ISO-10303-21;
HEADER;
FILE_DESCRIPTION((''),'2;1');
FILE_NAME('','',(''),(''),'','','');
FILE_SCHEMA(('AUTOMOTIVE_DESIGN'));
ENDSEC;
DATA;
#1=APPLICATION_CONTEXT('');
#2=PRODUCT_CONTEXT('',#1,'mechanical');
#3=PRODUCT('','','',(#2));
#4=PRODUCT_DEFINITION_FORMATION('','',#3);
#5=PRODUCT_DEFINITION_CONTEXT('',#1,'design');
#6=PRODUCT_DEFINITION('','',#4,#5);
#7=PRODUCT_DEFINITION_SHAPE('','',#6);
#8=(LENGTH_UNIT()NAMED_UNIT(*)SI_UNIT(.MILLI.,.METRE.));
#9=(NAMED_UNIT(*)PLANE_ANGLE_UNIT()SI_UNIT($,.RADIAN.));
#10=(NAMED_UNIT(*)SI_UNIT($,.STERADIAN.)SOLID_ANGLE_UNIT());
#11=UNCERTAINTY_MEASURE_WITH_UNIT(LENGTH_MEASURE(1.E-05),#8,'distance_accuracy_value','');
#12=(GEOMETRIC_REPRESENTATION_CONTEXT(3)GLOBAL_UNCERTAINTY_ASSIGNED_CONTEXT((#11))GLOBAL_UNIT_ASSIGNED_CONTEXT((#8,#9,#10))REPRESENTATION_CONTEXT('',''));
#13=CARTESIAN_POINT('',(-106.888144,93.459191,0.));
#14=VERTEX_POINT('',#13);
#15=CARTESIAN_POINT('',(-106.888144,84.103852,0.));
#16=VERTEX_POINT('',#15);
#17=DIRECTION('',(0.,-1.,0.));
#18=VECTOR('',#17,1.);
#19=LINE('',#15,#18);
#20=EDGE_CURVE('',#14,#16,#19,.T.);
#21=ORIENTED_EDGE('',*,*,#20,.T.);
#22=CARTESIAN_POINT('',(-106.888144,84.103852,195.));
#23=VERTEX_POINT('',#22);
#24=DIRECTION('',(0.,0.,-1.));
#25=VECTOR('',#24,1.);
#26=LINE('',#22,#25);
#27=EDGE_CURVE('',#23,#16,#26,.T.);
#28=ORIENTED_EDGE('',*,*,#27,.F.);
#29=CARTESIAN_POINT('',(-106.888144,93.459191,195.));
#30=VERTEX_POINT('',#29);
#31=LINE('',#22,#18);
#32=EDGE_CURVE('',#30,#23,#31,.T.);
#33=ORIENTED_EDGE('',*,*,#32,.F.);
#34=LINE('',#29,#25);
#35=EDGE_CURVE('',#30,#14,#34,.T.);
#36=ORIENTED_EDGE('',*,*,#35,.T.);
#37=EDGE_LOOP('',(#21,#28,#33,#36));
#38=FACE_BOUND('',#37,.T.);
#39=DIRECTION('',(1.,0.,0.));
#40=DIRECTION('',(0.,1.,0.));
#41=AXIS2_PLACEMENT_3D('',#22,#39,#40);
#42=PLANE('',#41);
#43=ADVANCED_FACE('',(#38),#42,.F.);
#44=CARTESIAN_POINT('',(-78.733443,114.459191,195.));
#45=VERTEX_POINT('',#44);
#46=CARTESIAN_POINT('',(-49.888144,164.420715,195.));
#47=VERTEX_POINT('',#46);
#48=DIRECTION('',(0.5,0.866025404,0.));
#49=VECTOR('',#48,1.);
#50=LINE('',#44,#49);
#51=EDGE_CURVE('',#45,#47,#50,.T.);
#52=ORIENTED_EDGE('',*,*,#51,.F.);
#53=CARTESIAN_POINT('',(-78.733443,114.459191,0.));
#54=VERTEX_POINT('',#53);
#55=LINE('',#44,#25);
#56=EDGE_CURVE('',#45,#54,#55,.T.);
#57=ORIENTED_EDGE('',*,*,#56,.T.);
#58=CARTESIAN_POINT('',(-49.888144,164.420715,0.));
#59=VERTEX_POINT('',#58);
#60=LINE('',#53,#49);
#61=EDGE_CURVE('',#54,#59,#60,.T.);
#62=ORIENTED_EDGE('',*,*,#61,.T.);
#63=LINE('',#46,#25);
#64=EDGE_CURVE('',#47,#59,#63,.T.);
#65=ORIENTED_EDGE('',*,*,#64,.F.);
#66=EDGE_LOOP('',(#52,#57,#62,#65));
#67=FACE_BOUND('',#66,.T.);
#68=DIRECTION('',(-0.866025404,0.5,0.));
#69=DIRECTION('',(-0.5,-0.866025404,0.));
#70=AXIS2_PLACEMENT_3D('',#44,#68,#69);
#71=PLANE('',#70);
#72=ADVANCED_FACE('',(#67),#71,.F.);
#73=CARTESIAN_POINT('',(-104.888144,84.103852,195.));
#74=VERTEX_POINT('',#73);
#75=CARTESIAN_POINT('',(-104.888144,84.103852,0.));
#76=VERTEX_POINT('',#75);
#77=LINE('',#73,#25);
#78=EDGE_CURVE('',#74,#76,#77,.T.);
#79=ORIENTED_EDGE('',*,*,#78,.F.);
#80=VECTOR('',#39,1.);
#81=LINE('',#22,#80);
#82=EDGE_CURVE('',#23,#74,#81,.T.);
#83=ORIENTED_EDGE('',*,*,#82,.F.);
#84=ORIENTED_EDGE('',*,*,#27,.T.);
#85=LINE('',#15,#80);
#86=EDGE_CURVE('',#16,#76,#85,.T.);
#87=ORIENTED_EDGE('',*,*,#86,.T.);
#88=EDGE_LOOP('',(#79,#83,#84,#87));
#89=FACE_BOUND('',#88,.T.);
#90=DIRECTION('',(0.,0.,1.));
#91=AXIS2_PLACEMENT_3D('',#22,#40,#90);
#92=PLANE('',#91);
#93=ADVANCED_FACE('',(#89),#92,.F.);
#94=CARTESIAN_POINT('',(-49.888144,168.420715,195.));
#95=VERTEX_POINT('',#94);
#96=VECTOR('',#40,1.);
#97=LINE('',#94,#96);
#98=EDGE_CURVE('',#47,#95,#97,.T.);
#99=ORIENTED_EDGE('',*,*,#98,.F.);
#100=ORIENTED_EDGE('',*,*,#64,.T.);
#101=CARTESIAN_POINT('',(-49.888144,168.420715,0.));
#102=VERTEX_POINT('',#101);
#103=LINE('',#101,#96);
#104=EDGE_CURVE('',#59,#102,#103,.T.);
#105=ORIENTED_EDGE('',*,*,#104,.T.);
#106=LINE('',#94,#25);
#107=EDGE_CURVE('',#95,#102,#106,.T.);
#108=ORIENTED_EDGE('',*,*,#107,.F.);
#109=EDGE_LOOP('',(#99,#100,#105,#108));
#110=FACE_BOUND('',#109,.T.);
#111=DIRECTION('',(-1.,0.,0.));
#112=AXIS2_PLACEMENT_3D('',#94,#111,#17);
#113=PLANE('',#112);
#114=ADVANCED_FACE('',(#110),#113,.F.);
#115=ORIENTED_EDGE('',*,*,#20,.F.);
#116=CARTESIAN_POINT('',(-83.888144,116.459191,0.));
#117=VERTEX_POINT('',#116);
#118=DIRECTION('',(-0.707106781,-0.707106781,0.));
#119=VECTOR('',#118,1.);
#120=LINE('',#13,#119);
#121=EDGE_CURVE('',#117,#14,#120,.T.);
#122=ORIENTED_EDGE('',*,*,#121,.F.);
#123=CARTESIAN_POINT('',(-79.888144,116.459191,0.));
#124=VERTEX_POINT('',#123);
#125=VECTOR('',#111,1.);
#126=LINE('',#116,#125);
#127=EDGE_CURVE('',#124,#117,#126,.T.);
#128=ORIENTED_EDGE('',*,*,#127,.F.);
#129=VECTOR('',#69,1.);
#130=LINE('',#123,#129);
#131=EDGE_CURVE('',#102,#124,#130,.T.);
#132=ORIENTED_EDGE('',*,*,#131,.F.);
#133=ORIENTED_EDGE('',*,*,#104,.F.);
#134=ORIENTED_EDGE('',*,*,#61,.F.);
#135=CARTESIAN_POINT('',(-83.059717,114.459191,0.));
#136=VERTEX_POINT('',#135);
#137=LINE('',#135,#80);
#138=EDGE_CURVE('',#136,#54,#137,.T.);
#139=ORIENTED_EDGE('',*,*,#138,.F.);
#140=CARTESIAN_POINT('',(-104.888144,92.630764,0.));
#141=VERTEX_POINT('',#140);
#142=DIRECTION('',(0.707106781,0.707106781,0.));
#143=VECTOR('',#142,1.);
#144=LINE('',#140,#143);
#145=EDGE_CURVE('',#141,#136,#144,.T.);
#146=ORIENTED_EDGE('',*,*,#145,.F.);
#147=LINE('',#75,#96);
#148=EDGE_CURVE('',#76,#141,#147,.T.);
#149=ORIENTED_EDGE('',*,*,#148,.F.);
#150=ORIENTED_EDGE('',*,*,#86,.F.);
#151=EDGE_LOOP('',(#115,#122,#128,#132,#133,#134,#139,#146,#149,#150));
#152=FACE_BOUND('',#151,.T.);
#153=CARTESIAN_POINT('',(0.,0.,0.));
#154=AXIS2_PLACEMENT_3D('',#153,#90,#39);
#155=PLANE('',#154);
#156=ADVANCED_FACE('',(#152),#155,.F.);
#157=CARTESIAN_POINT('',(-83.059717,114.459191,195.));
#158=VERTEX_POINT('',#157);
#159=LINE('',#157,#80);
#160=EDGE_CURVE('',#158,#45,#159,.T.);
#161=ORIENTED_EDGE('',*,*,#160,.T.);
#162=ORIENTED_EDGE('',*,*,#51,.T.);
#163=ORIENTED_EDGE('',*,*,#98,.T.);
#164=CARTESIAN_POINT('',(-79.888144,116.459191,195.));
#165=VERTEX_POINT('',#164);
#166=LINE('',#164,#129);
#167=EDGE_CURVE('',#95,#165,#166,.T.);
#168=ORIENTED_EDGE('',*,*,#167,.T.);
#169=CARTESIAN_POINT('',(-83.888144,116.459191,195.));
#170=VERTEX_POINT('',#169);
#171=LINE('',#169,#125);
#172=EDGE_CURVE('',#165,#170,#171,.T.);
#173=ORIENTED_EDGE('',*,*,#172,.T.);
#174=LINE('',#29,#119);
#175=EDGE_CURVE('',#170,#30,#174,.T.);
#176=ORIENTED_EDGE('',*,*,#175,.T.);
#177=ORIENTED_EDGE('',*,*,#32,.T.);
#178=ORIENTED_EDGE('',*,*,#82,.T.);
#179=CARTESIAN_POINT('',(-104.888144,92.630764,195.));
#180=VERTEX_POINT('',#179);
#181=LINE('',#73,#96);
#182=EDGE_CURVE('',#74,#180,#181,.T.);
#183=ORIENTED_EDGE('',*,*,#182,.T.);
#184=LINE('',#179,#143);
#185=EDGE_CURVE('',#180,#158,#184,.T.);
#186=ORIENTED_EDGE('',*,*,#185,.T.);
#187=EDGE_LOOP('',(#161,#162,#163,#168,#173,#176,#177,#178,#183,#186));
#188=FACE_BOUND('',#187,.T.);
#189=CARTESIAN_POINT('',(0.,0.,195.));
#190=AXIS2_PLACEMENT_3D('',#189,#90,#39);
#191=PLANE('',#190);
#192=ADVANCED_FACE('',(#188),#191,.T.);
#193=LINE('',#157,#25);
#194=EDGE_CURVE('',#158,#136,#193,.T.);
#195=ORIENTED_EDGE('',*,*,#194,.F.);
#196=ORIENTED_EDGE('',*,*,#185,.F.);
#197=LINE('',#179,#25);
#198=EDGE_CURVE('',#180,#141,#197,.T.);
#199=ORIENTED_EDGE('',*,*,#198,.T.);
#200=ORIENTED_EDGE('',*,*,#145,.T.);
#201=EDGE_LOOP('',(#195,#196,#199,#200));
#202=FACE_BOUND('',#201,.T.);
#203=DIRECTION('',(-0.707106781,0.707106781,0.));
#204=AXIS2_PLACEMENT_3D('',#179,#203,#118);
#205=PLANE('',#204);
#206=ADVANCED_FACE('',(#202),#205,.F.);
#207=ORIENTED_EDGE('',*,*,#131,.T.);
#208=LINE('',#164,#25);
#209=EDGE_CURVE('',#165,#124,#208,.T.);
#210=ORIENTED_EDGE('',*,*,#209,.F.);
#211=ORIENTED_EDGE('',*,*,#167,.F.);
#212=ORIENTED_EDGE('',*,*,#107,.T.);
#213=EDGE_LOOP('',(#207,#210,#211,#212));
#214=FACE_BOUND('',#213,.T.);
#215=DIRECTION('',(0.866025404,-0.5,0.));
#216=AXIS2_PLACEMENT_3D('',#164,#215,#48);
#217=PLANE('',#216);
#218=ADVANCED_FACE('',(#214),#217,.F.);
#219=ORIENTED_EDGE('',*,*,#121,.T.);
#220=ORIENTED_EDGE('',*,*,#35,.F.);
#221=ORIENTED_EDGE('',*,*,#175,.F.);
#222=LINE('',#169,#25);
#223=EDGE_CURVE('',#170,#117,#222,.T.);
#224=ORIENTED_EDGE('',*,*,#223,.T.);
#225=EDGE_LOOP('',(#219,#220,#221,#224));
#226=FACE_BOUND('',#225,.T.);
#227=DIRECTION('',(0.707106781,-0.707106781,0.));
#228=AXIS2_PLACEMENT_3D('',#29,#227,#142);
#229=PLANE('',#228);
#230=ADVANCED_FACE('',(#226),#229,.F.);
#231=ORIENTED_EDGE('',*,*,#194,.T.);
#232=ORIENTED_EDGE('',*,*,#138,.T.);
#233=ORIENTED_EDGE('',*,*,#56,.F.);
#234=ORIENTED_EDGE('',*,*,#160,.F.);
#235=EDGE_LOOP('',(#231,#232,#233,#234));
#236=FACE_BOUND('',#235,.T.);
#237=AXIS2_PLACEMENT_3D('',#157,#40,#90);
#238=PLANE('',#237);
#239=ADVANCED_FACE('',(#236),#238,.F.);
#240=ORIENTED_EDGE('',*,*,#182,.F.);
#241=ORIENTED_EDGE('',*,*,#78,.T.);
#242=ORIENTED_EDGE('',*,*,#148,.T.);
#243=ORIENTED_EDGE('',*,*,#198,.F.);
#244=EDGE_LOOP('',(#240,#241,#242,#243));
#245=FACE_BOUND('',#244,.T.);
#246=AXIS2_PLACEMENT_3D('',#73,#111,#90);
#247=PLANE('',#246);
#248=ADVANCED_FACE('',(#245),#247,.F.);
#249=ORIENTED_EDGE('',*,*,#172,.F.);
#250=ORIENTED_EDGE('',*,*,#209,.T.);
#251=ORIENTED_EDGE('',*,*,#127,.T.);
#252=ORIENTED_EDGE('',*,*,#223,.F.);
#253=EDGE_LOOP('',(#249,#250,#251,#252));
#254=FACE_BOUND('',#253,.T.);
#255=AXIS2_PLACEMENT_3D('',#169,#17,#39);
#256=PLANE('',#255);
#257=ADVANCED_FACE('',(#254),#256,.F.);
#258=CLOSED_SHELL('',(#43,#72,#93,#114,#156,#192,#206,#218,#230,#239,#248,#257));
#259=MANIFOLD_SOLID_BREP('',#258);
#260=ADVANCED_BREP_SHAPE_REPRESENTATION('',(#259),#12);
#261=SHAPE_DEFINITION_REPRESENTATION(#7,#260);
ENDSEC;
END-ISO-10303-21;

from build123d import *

# Parameters (mm, degrees)
BOSS_EXTRUDE1_DEPTH = 195


with BuildPart() as part:
    # Sketch1 → Boss-Extrude1 (new body)
    with BuildSketch(Plane.XY):
        Polygon((-49.888143666, 168.420715043), (-49.888143666, 164.420715043), (-78.733443127, 114.459190816), (-83.059716541, 114.459190816), (-104.888143666, 92.630763691), (-104.888143666, 84.103851756), (-106.888143666, 84.103851756), (-106.888143666, 93.459190816), (-83.888143666, 116.459190816), (-79.888143666, 116.459190816), align=None)
    extrude(amount=BOSS_EXTRUDE1_DEPTH)


solid = part.part
